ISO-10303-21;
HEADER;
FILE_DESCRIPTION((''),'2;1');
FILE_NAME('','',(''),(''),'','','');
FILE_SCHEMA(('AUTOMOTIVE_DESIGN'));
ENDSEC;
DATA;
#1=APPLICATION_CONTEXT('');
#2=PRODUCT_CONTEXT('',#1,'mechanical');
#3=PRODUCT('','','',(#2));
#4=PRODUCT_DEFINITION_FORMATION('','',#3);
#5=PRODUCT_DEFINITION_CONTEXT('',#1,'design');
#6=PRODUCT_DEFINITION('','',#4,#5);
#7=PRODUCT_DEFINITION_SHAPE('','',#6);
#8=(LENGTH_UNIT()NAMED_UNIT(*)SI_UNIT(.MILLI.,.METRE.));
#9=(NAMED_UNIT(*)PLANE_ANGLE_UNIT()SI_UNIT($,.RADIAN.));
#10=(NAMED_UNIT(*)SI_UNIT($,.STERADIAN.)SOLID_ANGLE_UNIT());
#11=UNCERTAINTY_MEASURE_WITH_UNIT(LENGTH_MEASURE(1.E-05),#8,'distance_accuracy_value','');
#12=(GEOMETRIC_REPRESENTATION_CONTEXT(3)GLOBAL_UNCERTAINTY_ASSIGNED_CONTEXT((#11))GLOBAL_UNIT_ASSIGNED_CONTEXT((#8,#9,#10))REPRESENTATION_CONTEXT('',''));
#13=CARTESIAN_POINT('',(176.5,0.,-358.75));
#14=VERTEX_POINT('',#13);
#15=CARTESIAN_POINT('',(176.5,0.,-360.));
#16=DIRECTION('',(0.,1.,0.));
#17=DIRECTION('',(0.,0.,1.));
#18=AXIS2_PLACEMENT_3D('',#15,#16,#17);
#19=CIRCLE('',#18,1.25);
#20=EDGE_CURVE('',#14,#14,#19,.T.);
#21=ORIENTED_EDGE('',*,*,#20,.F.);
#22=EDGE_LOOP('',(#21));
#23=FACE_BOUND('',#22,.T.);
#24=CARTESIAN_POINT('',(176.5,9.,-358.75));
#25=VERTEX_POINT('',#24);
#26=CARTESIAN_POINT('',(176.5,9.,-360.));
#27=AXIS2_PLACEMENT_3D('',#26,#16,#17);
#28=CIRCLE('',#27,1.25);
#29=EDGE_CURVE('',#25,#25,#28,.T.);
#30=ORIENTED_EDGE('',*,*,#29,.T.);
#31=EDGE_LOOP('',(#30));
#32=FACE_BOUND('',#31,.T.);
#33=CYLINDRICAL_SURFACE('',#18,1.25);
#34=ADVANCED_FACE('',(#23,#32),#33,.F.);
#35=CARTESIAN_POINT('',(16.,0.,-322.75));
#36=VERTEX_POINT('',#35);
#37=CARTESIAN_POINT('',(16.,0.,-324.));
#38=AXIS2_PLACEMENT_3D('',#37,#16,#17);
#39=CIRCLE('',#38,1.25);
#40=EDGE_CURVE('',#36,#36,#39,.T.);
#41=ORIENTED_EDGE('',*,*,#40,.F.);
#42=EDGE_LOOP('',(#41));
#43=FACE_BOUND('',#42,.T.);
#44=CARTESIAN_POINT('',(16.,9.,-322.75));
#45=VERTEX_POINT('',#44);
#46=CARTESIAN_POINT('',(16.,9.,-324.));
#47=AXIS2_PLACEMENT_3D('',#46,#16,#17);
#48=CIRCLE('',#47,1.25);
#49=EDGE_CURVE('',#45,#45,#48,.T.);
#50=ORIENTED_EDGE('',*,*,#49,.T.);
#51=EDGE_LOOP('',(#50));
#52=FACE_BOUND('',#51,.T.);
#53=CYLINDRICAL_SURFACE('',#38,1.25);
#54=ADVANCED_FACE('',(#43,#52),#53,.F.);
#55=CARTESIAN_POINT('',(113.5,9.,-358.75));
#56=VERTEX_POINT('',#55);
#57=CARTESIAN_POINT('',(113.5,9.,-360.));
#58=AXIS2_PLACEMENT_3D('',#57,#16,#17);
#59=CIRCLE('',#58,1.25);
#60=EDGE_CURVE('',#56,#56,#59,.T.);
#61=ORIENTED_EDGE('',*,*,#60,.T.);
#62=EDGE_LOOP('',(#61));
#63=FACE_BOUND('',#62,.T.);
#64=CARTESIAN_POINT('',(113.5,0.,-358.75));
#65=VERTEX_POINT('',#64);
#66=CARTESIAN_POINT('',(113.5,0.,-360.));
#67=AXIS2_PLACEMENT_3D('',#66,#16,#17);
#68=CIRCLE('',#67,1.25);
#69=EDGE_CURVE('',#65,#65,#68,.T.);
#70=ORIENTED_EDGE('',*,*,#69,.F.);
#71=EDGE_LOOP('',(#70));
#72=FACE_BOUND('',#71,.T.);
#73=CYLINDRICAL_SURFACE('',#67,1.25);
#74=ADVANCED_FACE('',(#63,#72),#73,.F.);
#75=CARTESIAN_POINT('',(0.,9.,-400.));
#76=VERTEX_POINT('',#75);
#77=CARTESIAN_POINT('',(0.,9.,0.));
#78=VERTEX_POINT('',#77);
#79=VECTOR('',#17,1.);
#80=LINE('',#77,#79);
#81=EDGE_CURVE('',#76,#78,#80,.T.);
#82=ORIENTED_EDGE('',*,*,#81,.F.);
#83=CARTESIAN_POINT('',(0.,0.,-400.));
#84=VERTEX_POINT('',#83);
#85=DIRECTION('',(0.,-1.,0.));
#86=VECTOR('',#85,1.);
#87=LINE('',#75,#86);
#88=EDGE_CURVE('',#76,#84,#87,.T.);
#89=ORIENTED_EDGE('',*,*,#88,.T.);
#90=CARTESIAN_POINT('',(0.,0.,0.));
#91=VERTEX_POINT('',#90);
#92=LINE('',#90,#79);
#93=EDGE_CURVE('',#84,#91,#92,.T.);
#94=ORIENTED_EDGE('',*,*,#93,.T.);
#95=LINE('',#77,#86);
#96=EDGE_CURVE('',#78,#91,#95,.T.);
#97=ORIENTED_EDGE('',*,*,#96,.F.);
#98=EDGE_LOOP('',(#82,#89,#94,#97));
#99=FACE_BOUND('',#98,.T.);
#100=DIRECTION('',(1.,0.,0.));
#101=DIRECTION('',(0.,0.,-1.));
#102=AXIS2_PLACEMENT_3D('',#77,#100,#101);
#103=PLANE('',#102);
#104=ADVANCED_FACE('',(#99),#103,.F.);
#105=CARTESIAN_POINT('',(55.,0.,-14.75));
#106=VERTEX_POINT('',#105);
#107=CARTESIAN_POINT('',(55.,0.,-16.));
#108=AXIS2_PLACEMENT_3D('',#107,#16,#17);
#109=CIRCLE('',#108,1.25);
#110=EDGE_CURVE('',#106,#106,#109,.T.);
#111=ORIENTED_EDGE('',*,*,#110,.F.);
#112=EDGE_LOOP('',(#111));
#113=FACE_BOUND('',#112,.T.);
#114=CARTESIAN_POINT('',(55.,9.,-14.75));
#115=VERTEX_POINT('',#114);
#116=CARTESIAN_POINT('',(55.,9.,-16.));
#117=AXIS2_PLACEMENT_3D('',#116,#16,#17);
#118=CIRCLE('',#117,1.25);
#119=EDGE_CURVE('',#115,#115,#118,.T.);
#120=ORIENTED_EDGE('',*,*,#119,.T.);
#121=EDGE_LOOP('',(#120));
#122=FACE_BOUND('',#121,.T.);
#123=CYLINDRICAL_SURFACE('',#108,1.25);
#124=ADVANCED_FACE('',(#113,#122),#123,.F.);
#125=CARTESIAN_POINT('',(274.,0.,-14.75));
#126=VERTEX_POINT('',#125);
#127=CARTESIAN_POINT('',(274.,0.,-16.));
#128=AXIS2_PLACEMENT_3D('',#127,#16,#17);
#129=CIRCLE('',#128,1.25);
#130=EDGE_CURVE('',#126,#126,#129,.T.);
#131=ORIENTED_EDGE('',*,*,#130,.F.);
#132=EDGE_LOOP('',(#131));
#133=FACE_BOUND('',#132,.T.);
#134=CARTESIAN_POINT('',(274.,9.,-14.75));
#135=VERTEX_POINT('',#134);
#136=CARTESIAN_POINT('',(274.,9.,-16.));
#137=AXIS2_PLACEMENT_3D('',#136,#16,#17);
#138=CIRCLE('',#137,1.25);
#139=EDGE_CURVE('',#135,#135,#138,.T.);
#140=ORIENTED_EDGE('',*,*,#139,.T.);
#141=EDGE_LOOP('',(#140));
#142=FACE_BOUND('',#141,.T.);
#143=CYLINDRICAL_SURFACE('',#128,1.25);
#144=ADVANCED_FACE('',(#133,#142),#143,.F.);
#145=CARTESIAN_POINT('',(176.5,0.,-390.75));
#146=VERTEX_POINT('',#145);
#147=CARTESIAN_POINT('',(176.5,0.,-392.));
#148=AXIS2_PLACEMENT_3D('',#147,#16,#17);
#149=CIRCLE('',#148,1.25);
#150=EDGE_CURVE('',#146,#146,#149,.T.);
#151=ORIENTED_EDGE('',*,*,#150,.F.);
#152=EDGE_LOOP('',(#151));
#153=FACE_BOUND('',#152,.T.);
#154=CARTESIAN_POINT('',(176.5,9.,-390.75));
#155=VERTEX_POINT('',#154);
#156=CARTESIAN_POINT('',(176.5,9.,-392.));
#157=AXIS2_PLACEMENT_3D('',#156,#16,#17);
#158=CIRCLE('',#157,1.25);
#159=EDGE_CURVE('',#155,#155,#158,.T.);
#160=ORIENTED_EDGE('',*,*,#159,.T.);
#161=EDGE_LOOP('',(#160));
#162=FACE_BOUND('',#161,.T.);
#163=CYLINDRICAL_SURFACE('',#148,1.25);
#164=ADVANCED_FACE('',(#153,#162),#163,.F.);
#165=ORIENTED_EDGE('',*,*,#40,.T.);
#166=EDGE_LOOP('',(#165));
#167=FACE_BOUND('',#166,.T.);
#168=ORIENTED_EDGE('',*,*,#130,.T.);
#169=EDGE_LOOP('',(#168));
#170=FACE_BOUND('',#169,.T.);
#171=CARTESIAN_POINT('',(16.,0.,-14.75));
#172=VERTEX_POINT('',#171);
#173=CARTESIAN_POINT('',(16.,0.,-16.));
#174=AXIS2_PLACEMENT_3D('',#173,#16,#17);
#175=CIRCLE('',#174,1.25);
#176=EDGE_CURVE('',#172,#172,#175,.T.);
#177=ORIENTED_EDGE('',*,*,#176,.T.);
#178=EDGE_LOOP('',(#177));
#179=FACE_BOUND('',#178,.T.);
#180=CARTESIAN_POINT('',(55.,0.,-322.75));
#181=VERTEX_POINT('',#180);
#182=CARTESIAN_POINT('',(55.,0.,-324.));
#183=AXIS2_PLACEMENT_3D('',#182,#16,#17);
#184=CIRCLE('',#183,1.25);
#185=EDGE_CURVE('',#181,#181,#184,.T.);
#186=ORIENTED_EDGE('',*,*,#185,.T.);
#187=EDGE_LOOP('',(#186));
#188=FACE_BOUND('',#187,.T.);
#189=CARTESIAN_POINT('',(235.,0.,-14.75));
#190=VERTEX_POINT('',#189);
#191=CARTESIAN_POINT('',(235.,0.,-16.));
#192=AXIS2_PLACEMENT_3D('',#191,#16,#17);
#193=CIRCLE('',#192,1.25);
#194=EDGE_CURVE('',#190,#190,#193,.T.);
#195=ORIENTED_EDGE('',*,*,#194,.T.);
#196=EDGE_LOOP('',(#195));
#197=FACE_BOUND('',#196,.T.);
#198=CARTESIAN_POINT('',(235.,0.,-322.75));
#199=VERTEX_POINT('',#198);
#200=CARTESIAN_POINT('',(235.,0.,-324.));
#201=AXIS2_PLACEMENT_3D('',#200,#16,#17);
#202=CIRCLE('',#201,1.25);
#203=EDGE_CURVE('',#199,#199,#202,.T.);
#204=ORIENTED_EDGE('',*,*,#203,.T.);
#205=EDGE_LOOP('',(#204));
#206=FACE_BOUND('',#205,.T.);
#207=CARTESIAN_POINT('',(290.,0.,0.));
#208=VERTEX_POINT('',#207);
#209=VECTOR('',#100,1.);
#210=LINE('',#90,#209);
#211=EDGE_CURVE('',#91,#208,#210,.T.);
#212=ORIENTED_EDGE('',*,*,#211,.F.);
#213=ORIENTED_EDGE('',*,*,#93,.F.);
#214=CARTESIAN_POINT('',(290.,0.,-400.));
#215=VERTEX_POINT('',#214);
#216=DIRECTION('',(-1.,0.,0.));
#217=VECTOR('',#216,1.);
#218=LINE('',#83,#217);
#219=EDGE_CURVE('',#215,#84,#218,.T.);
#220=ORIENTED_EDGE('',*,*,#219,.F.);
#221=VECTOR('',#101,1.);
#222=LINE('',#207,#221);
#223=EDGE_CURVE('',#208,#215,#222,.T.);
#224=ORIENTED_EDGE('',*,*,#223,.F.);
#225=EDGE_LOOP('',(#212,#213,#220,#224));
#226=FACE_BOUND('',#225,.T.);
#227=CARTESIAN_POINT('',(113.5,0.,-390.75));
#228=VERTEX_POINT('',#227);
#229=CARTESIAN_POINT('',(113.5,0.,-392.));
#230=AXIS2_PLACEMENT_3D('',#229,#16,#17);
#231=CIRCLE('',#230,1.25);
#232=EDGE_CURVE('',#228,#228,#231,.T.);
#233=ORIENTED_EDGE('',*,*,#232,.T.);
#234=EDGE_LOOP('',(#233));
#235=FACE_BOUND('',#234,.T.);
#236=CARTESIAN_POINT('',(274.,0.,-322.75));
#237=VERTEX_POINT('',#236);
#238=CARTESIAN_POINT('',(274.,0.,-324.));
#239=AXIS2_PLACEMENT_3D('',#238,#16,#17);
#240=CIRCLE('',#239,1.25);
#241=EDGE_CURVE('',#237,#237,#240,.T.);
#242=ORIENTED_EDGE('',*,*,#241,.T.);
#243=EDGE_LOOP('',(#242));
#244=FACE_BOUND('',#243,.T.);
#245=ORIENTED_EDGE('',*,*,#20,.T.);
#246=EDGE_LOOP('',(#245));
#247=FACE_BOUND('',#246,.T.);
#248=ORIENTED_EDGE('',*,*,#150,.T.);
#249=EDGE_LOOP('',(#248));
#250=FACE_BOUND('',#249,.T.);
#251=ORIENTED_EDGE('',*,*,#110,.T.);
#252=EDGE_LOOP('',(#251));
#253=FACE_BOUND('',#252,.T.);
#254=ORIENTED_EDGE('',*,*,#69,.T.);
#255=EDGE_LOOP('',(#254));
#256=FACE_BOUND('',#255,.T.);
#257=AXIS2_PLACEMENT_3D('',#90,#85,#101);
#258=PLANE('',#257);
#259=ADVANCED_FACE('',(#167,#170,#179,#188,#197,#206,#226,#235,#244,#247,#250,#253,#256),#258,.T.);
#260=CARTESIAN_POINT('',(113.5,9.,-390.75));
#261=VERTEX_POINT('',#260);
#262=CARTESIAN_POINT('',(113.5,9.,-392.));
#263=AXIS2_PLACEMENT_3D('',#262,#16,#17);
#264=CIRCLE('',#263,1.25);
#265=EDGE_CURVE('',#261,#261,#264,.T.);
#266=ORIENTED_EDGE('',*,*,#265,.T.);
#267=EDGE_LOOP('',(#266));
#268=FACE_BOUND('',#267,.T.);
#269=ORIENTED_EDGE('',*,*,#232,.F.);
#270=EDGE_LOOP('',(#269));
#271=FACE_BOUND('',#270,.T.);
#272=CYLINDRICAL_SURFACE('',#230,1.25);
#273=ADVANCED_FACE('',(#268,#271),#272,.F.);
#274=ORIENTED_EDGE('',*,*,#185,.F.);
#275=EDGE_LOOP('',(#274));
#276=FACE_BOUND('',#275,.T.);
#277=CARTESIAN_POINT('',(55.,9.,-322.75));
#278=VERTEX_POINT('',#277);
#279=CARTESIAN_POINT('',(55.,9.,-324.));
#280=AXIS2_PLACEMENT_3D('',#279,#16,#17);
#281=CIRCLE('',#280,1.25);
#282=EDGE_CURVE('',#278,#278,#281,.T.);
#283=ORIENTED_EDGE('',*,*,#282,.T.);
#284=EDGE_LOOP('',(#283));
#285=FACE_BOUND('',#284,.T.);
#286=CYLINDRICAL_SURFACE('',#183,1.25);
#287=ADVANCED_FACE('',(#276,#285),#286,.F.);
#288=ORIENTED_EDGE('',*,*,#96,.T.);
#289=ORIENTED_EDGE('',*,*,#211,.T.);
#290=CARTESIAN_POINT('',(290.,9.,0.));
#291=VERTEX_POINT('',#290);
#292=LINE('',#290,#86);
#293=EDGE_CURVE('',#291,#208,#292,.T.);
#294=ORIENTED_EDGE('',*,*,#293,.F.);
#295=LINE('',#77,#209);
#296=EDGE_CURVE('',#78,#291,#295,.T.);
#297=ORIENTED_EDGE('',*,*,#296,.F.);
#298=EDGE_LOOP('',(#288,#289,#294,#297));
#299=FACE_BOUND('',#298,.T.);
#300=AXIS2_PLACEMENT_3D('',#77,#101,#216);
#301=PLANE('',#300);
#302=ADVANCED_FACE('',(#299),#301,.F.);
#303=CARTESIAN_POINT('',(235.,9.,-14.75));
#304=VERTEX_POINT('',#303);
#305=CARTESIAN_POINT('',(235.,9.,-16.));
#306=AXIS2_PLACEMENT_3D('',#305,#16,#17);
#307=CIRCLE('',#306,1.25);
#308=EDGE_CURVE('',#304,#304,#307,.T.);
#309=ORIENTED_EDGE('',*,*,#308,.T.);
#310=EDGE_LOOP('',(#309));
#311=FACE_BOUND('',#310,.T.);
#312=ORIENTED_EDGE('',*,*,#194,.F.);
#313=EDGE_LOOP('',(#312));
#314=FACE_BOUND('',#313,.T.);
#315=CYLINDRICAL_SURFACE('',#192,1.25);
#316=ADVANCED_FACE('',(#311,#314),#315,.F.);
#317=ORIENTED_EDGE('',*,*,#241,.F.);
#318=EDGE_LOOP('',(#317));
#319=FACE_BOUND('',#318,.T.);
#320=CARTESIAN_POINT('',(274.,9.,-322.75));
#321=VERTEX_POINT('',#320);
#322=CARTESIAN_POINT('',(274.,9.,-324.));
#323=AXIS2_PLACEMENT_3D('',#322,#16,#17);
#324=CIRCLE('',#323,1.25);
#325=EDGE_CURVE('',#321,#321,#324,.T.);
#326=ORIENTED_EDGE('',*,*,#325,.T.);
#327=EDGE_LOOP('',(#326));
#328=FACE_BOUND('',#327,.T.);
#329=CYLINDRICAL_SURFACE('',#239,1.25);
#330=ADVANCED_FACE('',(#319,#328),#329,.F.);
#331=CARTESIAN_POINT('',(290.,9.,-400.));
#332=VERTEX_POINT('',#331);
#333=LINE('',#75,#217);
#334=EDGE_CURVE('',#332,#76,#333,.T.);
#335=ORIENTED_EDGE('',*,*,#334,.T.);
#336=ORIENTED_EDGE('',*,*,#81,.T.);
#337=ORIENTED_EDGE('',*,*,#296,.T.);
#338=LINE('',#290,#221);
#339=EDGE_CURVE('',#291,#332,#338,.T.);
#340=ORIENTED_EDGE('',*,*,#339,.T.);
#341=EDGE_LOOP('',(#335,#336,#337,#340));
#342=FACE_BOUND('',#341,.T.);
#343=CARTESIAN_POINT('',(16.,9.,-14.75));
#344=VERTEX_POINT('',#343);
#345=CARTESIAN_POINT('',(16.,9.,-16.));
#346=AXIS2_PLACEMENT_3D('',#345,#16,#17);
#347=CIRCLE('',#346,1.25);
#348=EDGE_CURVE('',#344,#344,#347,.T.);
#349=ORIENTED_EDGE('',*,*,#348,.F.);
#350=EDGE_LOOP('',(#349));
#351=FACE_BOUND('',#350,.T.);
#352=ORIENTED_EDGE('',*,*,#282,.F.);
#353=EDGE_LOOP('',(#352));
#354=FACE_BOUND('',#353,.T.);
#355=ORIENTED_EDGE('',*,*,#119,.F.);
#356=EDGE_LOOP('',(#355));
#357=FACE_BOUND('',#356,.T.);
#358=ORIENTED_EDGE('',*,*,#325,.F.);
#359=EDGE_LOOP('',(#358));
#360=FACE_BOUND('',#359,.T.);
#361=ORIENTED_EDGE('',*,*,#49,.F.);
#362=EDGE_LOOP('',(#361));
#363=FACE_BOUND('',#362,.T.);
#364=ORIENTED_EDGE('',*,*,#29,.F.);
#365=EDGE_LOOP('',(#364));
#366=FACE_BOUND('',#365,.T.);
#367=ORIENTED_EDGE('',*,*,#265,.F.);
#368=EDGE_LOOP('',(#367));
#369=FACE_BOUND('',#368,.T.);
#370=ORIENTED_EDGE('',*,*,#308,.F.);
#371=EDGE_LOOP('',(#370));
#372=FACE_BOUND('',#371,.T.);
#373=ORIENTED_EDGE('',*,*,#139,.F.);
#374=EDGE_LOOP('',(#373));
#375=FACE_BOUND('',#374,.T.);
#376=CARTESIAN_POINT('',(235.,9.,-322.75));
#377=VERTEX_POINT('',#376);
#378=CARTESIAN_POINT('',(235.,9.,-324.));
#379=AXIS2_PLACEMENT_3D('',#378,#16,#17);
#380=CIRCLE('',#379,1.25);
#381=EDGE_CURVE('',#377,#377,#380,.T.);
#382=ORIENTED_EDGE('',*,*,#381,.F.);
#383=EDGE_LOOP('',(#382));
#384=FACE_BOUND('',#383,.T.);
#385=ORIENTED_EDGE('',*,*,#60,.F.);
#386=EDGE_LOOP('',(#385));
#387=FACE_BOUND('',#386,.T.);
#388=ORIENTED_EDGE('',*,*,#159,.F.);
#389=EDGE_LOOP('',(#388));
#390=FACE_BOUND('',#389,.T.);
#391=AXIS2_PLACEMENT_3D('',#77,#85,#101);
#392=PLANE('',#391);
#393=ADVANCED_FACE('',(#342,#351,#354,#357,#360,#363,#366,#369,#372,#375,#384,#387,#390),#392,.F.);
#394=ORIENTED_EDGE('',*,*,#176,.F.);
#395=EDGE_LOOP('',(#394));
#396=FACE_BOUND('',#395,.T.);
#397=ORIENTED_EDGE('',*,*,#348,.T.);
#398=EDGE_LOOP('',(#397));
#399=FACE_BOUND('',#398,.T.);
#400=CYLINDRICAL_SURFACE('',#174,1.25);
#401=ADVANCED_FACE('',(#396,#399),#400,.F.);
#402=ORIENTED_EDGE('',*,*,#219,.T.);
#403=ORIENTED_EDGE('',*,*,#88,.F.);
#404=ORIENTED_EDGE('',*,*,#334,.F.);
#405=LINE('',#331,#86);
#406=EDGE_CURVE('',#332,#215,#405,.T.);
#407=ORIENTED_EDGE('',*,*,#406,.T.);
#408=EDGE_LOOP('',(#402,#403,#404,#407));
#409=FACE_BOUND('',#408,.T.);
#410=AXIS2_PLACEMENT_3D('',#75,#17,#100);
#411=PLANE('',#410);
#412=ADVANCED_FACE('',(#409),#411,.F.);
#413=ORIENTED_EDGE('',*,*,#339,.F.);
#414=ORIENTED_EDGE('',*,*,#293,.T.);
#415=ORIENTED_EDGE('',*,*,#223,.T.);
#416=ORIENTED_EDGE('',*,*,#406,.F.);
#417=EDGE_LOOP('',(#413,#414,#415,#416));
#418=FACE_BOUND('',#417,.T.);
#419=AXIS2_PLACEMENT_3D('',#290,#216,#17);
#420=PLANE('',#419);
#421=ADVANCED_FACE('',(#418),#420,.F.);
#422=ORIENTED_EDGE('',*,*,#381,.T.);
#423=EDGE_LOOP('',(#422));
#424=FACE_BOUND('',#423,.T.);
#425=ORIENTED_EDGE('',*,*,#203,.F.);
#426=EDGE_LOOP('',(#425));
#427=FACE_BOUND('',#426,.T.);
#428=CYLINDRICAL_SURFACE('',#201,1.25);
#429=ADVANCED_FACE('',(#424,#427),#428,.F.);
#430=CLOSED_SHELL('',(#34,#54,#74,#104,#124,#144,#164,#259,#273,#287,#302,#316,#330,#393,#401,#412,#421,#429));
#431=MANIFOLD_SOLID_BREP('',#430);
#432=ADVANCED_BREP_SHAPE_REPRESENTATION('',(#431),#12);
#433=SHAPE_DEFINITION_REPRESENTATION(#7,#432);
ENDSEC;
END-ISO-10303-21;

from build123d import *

# Parameters (mm, degrees)
SKETCH1_W           = 290
SKETCH1_H           = 400
BOSS_EXTRUDE1_DEPTH = 9
SKETCH2_R           = 1.25
CUT_EXTRUDE1_DEPTH  = 10


with BuildPart() as part:
    # Sketch1 → Boss-Extrude1 (new body)
    with BuildSketch(Plane(origin=(0, 0, 0), x_dir=(1, 0, 0), z_dir=(0, 1, 0))):
        with Locations((145, 200)):
            Rectangle(SKETCH1_W, SKETCH1_H)
    extrude(amount=BOSS_EXTRUDE1_DEPTH)

    # Sketch2 → Cut-Extrude1 (cut, through all)
    with BuildSketch(Plane(origin=(0, 9, 0), x_dir=(1, 0, 0), z_dir=(0, 1, 0))):
        with Locations((16, 16)):
            Circle(SKETCH2_R)
        with Locations((55, 16)):
            Circle(SKETCH2_R)
        with Locations((235, 16)):
            Circle(SKETCH2_R)
        with Locations((274, 16)):
            Circle(SKETCH2_R)
        with Locations((16, 324)):
            Circle(SKETCH2_R)
        with Locations((55, 324)):
            Circle(SKETCH2_R)
        with Locations((274, 324)):
            Circle(SKETCH2_R)
        with Locations((235, 324)):
            Circle(SKETCH2_R)
        with Locations((113.5, 392)):
            Circle(SKETCH2_R)
        with Locations((113.5, 360)):
            Circle(SKETCH2_R)
        with Locations((176.5, 360)):
            Circle(SKETCH2_R)
        with Locations((176.5, 392)):
            Circle(SKETCH2_R)
    extrude(amount=-CUT_EXTRUDE1_DEPTH, mode=Mode.SUBTRACT)


solid = part.part
